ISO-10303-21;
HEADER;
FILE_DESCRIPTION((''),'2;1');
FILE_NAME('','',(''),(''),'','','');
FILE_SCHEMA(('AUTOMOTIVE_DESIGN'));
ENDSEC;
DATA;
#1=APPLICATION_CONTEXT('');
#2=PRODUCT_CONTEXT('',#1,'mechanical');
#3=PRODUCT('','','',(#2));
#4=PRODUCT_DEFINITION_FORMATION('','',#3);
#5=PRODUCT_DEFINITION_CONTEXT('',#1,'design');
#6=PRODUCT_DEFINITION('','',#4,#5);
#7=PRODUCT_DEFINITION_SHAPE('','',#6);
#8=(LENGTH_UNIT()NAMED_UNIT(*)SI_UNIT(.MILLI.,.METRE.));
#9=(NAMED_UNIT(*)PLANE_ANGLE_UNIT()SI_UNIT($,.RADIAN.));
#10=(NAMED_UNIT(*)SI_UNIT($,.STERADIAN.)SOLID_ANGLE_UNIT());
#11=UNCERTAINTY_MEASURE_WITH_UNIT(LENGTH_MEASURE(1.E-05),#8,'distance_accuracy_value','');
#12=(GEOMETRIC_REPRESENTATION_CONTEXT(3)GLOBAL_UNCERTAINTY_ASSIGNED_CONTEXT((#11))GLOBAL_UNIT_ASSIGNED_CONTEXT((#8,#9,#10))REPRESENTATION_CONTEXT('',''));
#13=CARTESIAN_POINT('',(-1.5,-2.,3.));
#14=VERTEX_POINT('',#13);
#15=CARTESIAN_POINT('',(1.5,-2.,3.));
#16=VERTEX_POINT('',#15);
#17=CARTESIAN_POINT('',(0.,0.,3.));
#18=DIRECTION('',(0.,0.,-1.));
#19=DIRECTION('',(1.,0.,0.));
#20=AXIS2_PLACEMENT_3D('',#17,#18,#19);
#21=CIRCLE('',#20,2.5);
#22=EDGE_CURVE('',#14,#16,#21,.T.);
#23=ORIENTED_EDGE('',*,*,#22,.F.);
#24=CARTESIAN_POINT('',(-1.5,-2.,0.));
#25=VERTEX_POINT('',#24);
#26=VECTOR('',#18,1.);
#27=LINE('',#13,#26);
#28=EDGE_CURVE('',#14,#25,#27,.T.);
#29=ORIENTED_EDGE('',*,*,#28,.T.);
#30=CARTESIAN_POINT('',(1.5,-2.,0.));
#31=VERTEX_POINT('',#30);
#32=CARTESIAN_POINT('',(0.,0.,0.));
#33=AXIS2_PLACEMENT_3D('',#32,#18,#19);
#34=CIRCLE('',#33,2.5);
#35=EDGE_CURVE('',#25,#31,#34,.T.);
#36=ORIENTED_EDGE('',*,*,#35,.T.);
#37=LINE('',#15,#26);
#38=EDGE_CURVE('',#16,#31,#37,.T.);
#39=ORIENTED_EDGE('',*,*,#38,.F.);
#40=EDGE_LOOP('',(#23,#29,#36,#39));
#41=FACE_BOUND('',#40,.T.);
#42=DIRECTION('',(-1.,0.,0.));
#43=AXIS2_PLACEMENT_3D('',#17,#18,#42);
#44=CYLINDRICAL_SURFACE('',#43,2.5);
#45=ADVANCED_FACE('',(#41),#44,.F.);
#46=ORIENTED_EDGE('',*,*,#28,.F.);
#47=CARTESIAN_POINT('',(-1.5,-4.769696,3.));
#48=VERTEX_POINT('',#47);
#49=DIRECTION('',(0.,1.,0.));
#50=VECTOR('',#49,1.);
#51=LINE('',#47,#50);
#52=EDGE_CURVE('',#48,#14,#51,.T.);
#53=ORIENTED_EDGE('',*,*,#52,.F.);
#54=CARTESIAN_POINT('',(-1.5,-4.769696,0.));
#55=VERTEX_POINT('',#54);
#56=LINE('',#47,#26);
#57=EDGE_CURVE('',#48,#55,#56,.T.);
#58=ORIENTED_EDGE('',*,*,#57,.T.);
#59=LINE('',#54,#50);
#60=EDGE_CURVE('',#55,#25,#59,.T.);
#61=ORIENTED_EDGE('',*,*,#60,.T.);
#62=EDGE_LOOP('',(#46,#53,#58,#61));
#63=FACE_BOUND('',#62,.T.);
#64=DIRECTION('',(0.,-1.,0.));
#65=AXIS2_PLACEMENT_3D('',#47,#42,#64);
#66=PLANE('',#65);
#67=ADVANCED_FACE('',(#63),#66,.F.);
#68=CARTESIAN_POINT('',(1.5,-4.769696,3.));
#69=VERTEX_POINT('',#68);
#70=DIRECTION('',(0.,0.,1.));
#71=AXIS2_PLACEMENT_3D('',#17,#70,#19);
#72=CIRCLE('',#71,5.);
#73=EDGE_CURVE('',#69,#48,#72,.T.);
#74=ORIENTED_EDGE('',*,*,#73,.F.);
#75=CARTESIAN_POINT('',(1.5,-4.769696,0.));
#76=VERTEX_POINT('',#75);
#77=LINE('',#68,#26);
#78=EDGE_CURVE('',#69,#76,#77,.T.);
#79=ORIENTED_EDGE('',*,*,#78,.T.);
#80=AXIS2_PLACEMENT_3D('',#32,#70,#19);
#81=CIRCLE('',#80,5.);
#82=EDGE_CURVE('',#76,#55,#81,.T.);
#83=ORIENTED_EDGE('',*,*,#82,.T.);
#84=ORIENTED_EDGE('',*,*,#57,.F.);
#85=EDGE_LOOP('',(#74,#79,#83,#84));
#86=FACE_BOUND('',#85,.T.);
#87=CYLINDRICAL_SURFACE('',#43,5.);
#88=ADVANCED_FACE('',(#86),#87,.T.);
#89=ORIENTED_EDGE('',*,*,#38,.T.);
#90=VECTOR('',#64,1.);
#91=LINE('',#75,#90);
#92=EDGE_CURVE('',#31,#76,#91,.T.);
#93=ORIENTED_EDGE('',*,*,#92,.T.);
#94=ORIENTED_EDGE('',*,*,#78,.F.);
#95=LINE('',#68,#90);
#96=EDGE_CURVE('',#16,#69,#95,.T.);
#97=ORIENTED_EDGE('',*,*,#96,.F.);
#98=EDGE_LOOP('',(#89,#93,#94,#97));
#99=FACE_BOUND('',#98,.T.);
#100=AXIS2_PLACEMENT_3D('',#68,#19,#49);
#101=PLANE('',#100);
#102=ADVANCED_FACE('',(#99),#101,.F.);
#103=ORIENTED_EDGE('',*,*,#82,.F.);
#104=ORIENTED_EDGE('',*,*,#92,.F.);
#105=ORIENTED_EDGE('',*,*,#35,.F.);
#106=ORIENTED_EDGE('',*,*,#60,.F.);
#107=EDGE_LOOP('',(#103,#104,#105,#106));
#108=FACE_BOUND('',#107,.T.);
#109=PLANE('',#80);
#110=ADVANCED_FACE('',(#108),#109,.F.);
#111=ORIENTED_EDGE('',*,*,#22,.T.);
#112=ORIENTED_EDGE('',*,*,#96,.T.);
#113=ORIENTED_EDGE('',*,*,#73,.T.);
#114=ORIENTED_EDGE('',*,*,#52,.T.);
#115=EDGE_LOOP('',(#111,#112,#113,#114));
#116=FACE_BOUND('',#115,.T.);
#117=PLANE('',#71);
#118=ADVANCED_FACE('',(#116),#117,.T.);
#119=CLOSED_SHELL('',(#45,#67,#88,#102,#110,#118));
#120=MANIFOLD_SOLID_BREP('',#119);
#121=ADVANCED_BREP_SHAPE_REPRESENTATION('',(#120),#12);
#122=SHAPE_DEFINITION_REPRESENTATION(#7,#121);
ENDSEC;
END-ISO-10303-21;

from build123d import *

# Parameters (mm, degrees)
EXTRUDE_1_DEPTH = 3


with BuildPart() as part:
    # ｽｹｯﾁ1 → ﾎﾞｽ - 押し出し1 (new body)
    with BuildSketch(Plane.XY):
        with BuildLine():
            Line((-1.5, -4.769696007), (-1.5, -2))
            ThreePointArc((-1.5, -2), (0, 2.5), (1.5, -2))
            Line((1.5, -2), (1.5, -4.769696007))
            ThreePointArc((1.5, -4.769696007), (0, 5), (-1.5, -4.769696007))
        make_face()
    extrude(amount=EXTRUDE_1_DEPTH)


solid = part.part
